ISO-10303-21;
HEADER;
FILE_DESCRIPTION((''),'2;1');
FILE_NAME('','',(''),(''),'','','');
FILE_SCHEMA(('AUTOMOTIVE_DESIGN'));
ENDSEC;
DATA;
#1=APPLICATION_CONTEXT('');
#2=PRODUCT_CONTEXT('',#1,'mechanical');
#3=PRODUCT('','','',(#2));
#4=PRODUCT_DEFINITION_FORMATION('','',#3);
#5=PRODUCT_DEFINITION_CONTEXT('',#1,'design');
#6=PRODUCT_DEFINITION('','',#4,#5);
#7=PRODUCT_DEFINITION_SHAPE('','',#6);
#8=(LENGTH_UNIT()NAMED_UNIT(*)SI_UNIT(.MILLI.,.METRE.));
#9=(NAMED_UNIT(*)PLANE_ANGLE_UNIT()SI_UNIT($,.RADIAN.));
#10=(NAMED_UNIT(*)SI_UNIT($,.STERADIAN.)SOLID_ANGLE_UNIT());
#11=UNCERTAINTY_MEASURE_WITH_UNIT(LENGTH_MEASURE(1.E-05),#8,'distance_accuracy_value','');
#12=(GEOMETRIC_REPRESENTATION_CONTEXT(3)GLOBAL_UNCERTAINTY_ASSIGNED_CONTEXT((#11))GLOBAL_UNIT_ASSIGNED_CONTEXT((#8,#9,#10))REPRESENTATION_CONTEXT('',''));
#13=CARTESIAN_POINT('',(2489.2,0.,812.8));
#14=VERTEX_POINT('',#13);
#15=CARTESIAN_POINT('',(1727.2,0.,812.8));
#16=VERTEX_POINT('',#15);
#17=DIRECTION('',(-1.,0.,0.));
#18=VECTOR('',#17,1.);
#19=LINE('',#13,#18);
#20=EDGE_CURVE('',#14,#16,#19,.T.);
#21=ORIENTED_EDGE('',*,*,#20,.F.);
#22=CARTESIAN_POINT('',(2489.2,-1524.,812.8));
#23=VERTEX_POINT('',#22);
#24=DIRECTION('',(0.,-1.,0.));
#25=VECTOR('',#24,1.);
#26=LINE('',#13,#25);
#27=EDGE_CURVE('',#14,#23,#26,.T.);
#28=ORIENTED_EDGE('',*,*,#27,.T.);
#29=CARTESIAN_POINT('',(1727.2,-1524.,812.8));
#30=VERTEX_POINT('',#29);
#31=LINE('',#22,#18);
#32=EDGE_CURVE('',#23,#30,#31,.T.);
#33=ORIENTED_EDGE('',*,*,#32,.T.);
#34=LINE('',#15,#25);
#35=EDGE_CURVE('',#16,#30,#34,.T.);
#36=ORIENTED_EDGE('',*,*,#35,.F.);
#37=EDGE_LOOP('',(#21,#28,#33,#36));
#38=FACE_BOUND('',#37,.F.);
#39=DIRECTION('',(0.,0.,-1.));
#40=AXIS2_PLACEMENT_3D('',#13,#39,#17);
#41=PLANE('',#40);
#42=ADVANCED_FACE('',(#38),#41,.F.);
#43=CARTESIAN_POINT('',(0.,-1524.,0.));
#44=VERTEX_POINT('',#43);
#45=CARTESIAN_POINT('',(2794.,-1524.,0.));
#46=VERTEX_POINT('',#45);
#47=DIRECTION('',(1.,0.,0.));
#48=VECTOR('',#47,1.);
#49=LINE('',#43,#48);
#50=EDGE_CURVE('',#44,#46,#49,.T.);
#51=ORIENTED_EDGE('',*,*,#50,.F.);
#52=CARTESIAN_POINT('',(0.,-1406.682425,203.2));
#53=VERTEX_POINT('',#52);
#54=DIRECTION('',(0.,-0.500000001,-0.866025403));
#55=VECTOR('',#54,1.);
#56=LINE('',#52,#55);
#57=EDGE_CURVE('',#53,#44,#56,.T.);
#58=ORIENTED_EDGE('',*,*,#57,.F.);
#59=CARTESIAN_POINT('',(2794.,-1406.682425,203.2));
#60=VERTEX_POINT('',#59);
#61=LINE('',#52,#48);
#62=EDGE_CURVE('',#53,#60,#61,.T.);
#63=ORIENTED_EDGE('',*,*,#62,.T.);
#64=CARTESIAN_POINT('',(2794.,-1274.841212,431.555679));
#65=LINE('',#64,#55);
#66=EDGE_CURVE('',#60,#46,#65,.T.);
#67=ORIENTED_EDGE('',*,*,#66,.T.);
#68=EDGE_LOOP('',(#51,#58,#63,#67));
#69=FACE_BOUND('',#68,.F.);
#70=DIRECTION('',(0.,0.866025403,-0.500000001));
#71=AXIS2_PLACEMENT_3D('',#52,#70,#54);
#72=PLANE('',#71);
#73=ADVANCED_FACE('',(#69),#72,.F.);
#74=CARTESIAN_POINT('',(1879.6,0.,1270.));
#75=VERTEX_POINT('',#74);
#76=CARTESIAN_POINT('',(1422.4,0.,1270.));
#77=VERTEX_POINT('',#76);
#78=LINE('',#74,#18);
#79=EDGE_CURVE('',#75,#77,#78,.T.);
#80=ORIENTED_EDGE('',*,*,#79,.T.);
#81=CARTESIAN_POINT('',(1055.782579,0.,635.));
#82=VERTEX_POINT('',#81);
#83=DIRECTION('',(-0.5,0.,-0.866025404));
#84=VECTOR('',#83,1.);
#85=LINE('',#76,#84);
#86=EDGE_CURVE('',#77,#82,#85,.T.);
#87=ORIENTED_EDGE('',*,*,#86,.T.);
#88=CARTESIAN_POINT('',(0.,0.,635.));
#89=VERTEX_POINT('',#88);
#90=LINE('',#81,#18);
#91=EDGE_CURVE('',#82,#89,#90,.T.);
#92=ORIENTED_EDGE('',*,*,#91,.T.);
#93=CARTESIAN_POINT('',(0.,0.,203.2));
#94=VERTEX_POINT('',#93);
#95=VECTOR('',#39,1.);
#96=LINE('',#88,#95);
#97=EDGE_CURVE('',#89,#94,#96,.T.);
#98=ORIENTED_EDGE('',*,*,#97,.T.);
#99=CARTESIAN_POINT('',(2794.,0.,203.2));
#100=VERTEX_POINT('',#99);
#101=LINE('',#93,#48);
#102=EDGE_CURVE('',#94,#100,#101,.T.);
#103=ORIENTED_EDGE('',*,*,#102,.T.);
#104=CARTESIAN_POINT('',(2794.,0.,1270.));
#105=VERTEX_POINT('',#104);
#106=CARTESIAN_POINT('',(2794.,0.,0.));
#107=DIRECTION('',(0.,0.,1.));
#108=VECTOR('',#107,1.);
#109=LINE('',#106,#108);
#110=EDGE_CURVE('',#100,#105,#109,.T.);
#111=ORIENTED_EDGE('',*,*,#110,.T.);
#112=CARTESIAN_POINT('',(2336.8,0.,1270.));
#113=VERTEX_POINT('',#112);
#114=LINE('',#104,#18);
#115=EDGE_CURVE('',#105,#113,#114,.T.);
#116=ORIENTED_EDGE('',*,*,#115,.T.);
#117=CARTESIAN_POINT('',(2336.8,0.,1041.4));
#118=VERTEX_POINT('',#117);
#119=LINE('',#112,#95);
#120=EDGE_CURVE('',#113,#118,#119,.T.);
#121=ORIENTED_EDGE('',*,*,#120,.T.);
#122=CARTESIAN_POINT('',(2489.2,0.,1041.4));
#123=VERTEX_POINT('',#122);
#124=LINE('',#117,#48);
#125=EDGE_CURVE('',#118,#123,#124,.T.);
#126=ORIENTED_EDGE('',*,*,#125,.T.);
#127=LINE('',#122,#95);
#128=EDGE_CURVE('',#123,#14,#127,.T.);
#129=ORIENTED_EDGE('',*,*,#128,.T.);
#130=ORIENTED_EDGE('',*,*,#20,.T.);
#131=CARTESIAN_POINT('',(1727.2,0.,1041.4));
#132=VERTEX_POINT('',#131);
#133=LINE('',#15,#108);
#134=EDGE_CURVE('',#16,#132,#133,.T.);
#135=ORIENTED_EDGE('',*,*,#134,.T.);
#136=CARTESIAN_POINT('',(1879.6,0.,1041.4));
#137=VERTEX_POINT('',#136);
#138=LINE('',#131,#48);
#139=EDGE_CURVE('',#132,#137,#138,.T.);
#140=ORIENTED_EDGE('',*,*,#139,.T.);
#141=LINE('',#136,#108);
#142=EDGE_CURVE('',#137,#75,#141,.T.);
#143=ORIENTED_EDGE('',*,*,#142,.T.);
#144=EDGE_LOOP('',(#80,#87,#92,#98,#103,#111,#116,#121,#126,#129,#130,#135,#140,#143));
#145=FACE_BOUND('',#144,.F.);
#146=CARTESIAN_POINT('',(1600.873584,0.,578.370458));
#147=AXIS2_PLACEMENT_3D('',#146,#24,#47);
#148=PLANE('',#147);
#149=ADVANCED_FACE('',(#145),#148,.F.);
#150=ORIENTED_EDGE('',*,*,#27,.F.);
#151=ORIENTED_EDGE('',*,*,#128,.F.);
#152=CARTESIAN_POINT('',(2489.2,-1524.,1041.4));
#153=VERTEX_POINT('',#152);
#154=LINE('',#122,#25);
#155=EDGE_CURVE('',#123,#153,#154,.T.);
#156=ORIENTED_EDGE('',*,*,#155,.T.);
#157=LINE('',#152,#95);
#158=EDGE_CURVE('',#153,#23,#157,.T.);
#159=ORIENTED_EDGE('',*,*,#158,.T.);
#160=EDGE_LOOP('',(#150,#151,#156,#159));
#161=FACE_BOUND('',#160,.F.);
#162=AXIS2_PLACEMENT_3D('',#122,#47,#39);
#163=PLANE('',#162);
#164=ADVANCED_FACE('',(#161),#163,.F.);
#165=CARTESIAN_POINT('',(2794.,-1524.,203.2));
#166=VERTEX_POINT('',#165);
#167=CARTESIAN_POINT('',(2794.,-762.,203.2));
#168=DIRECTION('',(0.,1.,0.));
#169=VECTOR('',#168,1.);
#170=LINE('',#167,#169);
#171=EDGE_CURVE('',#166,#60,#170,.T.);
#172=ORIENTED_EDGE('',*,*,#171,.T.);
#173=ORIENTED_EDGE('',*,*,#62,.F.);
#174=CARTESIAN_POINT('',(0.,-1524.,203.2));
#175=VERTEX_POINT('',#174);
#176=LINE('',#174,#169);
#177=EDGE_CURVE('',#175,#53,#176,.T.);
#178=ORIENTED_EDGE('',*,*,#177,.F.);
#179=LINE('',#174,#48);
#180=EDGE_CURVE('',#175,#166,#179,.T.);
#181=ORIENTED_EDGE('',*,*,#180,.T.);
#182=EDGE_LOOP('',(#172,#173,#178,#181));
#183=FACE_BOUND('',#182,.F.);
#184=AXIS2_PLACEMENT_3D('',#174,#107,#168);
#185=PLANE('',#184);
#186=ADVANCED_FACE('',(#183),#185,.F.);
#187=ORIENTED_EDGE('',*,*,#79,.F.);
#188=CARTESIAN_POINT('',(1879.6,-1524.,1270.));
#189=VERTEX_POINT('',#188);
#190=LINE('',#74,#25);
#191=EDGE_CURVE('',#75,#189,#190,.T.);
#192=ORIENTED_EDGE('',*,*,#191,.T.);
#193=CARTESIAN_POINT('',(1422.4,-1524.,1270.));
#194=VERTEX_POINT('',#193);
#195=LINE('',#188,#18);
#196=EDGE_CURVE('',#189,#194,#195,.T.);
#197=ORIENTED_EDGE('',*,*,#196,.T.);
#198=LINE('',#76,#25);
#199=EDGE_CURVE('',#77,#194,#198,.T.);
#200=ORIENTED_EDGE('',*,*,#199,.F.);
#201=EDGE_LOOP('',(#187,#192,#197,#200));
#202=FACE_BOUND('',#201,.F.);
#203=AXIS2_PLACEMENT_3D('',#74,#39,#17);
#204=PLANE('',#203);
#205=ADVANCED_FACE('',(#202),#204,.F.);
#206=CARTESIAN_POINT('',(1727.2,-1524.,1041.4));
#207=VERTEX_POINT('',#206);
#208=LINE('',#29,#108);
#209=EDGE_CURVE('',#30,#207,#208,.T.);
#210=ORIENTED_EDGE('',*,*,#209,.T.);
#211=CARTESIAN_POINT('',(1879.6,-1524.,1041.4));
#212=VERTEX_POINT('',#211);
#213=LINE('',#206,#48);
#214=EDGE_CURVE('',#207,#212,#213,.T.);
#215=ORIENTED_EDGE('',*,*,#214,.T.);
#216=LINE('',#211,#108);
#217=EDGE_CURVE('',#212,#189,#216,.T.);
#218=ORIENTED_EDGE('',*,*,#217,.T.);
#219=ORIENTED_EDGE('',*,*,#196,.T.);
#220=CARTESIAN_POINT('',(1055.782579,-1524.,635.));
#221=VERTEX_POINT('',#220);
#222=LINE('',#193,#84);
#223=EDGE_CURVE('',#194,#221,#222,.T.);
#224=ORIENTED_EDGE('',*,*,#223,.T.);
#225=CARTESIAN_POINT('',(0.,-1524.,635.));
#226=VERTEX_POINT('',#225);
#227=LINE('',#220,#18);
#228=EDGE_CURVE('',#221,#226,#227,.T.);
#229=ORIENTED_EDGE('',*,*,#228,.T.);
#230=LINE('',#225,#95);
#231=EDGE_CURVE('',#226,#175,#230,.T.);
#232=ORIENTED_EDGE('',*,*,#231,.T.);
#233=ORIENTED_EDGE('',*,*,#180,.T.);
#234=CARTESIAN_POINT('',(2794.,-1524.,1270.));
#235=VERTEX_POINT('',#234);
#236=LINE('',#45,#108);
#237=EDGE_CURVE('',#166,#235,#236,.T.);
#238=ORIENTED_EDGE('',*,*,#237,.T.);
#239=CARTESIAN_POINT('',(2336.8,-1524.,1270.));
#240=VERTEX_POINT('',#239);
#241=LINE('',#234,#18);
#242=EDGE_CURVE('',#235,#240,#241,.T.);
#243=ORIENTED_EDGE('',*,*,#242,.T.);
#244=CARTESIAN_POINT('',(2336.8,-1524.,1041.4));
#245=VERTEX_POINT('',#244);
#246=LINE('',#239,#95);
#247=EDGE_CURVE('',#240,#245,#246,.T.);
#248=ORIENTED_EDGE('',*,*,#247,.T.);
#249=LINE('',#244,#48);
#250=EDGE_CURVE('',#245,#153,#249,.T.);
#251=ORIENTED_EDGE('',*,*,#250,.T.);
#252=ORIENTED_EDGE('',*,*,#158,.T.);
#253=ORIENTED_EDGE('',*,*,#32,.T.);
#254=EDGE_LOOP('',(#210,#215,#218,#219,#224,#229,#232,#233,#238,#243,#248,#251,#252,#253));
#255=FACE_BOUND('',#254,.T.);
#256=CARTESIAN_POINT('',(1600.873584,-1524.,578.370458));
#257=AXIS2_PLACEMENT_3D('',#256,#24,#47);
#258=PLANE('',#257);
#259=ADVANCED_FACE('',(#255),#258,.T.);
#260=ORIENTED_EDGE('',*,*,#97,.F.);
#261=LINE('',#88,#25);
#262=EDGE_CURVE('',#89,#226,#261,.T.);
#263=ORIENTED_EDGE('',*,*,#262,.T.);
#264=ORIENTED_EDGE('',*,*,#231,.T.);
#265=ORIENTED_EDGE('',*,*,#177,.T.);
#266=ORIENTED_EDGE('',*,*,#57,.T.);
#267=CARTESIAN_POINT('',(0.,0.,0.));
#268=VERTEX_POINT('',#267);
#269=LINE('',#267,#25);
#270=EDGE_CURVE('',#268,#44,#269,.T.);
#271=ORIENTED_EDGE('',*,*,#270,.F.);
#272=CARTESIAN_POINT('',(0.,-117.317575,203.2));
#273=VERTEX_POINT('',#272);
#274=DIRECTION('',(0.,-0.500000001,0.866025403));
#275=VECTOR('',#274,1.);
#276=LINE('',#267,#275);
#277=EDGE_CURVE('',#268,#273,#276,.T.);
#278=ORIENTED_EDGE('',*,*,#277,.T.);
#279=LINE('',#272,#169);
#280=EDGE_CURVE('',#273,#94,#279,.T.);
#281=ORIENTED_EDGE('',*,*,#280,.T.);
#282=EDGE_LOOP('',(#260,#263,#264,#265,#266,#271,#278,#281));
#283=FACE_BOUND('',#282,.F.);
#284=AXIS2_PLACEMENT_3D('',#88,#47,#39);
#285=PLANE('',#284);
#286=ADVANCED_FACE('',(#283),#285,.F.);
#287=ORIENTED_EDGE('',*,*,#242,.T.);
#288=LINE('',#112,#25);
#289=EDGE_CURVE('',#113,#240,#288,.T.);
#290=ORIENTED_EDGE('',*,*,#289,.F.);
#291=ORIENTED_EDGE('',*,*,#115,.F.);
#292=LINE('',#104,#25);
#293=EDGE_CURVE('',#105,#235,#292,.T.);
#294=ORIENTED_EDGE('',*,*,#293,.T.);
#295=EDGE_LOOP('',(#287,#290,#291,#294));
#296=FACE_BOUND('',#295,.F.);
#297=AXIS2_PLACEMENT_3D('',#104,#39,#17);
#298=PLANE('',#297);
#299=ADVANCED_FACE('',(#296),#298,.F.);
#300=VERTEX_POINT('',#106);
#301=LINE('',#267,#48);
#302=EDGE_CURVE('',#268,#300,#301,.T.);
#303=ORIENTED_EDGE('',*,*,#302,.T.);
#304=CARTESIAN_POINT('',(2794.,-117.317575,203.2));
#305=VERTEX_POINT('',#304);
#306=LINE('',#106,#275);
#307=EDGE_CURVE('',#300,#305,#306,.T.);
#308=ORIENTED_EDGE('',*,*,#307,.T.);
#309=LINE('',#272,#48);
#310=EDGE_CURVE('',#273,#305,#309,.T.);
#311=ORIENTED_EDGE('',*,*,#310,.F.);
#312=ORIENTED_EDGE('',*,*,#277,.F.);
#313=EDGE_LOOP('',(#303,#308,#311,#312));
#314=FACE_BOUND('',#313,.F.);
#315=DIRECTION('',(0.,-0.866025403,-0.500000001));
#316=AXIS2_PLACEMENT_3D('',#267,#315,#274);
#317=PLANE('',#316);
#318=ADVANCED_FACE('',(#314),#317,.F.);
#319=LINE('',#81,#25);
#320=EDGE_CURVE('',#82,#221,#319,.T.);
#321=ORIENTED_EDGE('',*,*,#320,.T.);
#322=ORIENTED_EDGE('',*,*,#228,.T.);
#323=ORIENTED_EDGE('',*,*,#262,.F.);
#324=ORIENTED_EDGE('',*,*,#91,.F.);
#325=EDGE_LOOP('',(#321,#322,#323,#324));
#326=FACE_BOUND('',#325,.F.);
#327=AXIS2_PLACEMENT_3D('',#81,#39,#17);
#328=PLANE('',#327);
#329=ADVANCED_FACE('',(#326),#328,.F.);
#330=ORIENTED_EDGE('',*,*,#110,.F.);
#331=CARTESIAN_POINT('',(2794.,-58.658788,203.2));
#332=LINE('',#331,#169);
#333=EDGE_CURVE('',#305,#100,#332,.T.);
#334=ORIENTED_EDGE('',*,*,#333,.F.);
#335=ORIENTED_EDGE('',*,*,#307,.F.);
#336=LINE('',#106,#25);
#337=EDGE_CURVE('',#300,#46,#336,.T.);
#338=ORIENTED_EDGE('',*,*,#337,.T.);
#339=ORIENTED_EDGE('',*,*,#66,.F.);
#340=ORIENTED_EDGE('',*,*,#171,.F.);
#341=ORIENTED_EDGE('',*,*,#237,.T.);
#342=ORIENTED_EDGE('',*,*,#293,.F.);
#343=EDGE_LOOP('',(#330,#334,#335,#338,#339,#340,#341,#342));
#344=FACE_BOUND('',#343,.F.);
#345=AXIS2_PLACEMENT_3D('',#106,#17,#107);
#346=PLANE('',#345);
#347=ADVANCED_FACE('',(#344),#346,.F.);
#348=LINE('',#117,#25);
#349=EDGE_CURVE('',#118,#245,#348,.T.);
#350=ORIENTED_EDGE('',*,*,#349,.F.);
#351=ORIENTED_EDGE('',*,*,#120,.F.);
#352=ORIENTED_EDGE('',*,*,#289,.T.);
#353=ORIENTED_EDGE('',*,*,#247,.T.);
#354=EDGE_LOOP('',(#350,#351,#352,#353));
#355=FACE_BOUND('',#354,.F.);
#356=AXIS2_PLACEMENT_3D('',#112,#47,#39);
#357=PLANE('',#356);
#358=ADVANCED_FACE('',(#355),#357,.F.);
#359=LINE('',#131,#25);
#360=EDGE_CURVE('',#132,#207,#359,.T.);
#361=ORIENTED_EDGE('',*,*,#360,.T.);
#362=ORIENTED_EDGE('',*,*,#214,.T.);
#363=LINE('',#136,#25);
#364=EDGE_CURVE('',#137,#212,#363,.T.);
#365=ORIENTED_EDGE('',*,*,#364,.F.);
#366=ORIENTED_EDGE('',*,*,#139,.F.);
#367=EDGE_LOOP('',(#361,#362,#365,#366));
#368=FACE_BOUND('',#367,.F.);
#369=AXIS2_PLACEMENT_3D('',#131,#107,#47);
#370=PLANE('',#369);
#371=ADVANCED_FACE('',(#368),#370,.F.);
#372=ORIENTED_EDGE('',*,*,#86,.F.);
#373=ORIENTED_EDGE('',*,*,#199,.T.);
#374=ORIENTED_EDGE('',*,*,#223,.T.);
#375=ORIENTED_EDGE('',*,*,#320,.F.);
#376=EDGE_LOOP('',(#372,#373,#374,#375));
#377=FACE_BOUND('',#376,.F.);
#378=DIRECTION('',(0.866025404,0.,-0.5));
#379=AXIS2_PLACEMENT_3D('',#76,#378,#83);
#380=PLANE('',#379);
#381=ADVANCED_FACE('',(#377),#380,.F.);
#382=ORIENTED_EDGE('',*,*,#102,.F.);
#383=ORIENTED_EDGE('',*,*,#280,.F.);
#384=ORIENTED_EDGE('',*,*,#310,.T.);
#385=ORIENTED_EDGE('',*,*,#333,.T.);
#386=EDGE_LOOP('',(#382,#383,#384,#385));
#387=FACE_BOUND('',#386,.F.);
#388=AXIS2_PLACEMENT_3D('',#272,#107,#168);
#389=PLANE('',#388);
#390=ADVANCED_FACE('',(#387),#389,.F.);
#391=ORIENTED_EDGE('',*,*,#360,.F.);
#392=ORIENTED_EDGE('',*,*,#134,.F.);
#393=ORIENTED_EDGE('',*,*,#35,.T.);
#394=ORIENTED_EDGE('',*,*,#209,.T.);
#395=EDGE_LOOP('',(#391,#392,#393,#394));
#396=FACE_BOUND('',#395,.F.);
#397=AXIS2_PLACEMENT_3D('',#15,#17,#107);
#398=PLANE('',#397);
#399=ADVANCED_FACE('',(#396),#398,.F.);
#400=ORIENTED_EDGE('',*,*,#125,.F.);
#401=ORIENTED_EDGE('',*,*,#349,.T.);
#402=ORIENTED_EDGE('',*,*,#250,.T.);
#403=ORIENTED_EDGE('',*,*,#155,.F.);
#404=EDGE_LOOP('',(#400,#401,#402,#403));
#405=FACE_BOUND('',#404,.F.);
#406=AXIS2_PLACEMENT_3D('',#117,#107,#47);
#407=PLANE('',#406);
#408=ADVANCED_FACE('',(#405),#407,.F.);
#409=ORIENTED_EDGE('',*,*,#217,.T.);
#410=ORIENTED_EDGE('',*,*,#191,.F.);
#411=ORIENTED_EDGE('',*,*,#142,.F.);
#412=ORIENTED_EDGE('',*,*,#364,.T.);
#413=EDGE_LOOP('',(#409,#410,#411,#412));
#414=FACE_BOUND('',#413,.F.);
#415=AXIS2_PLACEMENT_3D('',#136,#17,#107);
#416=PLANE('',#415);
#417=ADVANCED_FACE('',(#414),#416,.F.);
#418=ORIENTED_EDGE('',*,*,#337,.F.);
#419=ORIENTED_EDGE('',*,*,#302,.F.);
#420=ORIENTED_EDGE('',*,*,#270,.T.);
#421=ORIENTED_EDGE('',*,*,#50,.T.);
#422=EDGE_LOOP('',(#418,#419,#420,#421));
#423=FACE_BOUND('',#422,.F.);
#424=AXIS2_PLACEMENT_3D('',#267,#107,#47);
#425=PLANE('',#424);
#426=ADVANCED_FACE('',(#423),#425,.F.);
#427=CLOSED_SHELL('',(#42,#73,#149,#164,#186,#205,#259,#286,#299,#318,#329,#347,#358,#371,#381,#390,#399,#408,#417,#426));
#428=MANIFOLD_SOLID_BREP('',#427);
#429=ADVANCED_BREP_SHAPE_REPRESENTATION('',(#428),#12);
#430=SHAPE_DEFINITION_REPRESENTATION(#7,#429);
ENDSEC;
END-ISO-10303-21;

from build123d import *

# Parameters (mm, degrees)
F1_DEPTH = 1524
F3_DEPTH = 2794.001
F5_DEPTH = 2794.001


with BuildPart() as f1:
    # F0 (on Front) → F1 (new body)
    with BuildSketch(Plane.XZ):
        Polygon((0, 635), (0, 0), (2794, 0), (2794, 1270), (2336.8, 1270), (2336.8, 1041.4), (2489.2, 1041.4), (2489.2, 812.8), (1727.2, 812.8), (1727.2, 1041.4), (1879.6, 1041.4), (1879.6, 1270), (1422.4, 1270), (1055.782579, 635), align=None)
    extrude(amount=F1_DEPTH)

    # F2 (on face) → F3 (cut, through all)
    with BuildSketch(Plane(origin=(0, 0, 0), x_dir=(0, -1, 0), z_dir=(-1, 0, 0))):
        Polygon((0, 203.2), (0, 0), (117.317575, 203.2), align=None)
    extrude(amount=-F3_DEPTH, mode=Mode.SUBTRACT)

    # F4 (on face) → F5 (cut, through all)
    with BuildSketch(Plane(origin=(0, 0, 0), x_dir=(0, -1, 0), z_dir=(-1, 0, 0))):
        Polygon((1406.682425, 203.2), (1524, 0), (1524, 203.2), align=None)
    extrude(amount=-F5_DEPTH, mode=Mode.SUBTRACT)


solid = f1.part
